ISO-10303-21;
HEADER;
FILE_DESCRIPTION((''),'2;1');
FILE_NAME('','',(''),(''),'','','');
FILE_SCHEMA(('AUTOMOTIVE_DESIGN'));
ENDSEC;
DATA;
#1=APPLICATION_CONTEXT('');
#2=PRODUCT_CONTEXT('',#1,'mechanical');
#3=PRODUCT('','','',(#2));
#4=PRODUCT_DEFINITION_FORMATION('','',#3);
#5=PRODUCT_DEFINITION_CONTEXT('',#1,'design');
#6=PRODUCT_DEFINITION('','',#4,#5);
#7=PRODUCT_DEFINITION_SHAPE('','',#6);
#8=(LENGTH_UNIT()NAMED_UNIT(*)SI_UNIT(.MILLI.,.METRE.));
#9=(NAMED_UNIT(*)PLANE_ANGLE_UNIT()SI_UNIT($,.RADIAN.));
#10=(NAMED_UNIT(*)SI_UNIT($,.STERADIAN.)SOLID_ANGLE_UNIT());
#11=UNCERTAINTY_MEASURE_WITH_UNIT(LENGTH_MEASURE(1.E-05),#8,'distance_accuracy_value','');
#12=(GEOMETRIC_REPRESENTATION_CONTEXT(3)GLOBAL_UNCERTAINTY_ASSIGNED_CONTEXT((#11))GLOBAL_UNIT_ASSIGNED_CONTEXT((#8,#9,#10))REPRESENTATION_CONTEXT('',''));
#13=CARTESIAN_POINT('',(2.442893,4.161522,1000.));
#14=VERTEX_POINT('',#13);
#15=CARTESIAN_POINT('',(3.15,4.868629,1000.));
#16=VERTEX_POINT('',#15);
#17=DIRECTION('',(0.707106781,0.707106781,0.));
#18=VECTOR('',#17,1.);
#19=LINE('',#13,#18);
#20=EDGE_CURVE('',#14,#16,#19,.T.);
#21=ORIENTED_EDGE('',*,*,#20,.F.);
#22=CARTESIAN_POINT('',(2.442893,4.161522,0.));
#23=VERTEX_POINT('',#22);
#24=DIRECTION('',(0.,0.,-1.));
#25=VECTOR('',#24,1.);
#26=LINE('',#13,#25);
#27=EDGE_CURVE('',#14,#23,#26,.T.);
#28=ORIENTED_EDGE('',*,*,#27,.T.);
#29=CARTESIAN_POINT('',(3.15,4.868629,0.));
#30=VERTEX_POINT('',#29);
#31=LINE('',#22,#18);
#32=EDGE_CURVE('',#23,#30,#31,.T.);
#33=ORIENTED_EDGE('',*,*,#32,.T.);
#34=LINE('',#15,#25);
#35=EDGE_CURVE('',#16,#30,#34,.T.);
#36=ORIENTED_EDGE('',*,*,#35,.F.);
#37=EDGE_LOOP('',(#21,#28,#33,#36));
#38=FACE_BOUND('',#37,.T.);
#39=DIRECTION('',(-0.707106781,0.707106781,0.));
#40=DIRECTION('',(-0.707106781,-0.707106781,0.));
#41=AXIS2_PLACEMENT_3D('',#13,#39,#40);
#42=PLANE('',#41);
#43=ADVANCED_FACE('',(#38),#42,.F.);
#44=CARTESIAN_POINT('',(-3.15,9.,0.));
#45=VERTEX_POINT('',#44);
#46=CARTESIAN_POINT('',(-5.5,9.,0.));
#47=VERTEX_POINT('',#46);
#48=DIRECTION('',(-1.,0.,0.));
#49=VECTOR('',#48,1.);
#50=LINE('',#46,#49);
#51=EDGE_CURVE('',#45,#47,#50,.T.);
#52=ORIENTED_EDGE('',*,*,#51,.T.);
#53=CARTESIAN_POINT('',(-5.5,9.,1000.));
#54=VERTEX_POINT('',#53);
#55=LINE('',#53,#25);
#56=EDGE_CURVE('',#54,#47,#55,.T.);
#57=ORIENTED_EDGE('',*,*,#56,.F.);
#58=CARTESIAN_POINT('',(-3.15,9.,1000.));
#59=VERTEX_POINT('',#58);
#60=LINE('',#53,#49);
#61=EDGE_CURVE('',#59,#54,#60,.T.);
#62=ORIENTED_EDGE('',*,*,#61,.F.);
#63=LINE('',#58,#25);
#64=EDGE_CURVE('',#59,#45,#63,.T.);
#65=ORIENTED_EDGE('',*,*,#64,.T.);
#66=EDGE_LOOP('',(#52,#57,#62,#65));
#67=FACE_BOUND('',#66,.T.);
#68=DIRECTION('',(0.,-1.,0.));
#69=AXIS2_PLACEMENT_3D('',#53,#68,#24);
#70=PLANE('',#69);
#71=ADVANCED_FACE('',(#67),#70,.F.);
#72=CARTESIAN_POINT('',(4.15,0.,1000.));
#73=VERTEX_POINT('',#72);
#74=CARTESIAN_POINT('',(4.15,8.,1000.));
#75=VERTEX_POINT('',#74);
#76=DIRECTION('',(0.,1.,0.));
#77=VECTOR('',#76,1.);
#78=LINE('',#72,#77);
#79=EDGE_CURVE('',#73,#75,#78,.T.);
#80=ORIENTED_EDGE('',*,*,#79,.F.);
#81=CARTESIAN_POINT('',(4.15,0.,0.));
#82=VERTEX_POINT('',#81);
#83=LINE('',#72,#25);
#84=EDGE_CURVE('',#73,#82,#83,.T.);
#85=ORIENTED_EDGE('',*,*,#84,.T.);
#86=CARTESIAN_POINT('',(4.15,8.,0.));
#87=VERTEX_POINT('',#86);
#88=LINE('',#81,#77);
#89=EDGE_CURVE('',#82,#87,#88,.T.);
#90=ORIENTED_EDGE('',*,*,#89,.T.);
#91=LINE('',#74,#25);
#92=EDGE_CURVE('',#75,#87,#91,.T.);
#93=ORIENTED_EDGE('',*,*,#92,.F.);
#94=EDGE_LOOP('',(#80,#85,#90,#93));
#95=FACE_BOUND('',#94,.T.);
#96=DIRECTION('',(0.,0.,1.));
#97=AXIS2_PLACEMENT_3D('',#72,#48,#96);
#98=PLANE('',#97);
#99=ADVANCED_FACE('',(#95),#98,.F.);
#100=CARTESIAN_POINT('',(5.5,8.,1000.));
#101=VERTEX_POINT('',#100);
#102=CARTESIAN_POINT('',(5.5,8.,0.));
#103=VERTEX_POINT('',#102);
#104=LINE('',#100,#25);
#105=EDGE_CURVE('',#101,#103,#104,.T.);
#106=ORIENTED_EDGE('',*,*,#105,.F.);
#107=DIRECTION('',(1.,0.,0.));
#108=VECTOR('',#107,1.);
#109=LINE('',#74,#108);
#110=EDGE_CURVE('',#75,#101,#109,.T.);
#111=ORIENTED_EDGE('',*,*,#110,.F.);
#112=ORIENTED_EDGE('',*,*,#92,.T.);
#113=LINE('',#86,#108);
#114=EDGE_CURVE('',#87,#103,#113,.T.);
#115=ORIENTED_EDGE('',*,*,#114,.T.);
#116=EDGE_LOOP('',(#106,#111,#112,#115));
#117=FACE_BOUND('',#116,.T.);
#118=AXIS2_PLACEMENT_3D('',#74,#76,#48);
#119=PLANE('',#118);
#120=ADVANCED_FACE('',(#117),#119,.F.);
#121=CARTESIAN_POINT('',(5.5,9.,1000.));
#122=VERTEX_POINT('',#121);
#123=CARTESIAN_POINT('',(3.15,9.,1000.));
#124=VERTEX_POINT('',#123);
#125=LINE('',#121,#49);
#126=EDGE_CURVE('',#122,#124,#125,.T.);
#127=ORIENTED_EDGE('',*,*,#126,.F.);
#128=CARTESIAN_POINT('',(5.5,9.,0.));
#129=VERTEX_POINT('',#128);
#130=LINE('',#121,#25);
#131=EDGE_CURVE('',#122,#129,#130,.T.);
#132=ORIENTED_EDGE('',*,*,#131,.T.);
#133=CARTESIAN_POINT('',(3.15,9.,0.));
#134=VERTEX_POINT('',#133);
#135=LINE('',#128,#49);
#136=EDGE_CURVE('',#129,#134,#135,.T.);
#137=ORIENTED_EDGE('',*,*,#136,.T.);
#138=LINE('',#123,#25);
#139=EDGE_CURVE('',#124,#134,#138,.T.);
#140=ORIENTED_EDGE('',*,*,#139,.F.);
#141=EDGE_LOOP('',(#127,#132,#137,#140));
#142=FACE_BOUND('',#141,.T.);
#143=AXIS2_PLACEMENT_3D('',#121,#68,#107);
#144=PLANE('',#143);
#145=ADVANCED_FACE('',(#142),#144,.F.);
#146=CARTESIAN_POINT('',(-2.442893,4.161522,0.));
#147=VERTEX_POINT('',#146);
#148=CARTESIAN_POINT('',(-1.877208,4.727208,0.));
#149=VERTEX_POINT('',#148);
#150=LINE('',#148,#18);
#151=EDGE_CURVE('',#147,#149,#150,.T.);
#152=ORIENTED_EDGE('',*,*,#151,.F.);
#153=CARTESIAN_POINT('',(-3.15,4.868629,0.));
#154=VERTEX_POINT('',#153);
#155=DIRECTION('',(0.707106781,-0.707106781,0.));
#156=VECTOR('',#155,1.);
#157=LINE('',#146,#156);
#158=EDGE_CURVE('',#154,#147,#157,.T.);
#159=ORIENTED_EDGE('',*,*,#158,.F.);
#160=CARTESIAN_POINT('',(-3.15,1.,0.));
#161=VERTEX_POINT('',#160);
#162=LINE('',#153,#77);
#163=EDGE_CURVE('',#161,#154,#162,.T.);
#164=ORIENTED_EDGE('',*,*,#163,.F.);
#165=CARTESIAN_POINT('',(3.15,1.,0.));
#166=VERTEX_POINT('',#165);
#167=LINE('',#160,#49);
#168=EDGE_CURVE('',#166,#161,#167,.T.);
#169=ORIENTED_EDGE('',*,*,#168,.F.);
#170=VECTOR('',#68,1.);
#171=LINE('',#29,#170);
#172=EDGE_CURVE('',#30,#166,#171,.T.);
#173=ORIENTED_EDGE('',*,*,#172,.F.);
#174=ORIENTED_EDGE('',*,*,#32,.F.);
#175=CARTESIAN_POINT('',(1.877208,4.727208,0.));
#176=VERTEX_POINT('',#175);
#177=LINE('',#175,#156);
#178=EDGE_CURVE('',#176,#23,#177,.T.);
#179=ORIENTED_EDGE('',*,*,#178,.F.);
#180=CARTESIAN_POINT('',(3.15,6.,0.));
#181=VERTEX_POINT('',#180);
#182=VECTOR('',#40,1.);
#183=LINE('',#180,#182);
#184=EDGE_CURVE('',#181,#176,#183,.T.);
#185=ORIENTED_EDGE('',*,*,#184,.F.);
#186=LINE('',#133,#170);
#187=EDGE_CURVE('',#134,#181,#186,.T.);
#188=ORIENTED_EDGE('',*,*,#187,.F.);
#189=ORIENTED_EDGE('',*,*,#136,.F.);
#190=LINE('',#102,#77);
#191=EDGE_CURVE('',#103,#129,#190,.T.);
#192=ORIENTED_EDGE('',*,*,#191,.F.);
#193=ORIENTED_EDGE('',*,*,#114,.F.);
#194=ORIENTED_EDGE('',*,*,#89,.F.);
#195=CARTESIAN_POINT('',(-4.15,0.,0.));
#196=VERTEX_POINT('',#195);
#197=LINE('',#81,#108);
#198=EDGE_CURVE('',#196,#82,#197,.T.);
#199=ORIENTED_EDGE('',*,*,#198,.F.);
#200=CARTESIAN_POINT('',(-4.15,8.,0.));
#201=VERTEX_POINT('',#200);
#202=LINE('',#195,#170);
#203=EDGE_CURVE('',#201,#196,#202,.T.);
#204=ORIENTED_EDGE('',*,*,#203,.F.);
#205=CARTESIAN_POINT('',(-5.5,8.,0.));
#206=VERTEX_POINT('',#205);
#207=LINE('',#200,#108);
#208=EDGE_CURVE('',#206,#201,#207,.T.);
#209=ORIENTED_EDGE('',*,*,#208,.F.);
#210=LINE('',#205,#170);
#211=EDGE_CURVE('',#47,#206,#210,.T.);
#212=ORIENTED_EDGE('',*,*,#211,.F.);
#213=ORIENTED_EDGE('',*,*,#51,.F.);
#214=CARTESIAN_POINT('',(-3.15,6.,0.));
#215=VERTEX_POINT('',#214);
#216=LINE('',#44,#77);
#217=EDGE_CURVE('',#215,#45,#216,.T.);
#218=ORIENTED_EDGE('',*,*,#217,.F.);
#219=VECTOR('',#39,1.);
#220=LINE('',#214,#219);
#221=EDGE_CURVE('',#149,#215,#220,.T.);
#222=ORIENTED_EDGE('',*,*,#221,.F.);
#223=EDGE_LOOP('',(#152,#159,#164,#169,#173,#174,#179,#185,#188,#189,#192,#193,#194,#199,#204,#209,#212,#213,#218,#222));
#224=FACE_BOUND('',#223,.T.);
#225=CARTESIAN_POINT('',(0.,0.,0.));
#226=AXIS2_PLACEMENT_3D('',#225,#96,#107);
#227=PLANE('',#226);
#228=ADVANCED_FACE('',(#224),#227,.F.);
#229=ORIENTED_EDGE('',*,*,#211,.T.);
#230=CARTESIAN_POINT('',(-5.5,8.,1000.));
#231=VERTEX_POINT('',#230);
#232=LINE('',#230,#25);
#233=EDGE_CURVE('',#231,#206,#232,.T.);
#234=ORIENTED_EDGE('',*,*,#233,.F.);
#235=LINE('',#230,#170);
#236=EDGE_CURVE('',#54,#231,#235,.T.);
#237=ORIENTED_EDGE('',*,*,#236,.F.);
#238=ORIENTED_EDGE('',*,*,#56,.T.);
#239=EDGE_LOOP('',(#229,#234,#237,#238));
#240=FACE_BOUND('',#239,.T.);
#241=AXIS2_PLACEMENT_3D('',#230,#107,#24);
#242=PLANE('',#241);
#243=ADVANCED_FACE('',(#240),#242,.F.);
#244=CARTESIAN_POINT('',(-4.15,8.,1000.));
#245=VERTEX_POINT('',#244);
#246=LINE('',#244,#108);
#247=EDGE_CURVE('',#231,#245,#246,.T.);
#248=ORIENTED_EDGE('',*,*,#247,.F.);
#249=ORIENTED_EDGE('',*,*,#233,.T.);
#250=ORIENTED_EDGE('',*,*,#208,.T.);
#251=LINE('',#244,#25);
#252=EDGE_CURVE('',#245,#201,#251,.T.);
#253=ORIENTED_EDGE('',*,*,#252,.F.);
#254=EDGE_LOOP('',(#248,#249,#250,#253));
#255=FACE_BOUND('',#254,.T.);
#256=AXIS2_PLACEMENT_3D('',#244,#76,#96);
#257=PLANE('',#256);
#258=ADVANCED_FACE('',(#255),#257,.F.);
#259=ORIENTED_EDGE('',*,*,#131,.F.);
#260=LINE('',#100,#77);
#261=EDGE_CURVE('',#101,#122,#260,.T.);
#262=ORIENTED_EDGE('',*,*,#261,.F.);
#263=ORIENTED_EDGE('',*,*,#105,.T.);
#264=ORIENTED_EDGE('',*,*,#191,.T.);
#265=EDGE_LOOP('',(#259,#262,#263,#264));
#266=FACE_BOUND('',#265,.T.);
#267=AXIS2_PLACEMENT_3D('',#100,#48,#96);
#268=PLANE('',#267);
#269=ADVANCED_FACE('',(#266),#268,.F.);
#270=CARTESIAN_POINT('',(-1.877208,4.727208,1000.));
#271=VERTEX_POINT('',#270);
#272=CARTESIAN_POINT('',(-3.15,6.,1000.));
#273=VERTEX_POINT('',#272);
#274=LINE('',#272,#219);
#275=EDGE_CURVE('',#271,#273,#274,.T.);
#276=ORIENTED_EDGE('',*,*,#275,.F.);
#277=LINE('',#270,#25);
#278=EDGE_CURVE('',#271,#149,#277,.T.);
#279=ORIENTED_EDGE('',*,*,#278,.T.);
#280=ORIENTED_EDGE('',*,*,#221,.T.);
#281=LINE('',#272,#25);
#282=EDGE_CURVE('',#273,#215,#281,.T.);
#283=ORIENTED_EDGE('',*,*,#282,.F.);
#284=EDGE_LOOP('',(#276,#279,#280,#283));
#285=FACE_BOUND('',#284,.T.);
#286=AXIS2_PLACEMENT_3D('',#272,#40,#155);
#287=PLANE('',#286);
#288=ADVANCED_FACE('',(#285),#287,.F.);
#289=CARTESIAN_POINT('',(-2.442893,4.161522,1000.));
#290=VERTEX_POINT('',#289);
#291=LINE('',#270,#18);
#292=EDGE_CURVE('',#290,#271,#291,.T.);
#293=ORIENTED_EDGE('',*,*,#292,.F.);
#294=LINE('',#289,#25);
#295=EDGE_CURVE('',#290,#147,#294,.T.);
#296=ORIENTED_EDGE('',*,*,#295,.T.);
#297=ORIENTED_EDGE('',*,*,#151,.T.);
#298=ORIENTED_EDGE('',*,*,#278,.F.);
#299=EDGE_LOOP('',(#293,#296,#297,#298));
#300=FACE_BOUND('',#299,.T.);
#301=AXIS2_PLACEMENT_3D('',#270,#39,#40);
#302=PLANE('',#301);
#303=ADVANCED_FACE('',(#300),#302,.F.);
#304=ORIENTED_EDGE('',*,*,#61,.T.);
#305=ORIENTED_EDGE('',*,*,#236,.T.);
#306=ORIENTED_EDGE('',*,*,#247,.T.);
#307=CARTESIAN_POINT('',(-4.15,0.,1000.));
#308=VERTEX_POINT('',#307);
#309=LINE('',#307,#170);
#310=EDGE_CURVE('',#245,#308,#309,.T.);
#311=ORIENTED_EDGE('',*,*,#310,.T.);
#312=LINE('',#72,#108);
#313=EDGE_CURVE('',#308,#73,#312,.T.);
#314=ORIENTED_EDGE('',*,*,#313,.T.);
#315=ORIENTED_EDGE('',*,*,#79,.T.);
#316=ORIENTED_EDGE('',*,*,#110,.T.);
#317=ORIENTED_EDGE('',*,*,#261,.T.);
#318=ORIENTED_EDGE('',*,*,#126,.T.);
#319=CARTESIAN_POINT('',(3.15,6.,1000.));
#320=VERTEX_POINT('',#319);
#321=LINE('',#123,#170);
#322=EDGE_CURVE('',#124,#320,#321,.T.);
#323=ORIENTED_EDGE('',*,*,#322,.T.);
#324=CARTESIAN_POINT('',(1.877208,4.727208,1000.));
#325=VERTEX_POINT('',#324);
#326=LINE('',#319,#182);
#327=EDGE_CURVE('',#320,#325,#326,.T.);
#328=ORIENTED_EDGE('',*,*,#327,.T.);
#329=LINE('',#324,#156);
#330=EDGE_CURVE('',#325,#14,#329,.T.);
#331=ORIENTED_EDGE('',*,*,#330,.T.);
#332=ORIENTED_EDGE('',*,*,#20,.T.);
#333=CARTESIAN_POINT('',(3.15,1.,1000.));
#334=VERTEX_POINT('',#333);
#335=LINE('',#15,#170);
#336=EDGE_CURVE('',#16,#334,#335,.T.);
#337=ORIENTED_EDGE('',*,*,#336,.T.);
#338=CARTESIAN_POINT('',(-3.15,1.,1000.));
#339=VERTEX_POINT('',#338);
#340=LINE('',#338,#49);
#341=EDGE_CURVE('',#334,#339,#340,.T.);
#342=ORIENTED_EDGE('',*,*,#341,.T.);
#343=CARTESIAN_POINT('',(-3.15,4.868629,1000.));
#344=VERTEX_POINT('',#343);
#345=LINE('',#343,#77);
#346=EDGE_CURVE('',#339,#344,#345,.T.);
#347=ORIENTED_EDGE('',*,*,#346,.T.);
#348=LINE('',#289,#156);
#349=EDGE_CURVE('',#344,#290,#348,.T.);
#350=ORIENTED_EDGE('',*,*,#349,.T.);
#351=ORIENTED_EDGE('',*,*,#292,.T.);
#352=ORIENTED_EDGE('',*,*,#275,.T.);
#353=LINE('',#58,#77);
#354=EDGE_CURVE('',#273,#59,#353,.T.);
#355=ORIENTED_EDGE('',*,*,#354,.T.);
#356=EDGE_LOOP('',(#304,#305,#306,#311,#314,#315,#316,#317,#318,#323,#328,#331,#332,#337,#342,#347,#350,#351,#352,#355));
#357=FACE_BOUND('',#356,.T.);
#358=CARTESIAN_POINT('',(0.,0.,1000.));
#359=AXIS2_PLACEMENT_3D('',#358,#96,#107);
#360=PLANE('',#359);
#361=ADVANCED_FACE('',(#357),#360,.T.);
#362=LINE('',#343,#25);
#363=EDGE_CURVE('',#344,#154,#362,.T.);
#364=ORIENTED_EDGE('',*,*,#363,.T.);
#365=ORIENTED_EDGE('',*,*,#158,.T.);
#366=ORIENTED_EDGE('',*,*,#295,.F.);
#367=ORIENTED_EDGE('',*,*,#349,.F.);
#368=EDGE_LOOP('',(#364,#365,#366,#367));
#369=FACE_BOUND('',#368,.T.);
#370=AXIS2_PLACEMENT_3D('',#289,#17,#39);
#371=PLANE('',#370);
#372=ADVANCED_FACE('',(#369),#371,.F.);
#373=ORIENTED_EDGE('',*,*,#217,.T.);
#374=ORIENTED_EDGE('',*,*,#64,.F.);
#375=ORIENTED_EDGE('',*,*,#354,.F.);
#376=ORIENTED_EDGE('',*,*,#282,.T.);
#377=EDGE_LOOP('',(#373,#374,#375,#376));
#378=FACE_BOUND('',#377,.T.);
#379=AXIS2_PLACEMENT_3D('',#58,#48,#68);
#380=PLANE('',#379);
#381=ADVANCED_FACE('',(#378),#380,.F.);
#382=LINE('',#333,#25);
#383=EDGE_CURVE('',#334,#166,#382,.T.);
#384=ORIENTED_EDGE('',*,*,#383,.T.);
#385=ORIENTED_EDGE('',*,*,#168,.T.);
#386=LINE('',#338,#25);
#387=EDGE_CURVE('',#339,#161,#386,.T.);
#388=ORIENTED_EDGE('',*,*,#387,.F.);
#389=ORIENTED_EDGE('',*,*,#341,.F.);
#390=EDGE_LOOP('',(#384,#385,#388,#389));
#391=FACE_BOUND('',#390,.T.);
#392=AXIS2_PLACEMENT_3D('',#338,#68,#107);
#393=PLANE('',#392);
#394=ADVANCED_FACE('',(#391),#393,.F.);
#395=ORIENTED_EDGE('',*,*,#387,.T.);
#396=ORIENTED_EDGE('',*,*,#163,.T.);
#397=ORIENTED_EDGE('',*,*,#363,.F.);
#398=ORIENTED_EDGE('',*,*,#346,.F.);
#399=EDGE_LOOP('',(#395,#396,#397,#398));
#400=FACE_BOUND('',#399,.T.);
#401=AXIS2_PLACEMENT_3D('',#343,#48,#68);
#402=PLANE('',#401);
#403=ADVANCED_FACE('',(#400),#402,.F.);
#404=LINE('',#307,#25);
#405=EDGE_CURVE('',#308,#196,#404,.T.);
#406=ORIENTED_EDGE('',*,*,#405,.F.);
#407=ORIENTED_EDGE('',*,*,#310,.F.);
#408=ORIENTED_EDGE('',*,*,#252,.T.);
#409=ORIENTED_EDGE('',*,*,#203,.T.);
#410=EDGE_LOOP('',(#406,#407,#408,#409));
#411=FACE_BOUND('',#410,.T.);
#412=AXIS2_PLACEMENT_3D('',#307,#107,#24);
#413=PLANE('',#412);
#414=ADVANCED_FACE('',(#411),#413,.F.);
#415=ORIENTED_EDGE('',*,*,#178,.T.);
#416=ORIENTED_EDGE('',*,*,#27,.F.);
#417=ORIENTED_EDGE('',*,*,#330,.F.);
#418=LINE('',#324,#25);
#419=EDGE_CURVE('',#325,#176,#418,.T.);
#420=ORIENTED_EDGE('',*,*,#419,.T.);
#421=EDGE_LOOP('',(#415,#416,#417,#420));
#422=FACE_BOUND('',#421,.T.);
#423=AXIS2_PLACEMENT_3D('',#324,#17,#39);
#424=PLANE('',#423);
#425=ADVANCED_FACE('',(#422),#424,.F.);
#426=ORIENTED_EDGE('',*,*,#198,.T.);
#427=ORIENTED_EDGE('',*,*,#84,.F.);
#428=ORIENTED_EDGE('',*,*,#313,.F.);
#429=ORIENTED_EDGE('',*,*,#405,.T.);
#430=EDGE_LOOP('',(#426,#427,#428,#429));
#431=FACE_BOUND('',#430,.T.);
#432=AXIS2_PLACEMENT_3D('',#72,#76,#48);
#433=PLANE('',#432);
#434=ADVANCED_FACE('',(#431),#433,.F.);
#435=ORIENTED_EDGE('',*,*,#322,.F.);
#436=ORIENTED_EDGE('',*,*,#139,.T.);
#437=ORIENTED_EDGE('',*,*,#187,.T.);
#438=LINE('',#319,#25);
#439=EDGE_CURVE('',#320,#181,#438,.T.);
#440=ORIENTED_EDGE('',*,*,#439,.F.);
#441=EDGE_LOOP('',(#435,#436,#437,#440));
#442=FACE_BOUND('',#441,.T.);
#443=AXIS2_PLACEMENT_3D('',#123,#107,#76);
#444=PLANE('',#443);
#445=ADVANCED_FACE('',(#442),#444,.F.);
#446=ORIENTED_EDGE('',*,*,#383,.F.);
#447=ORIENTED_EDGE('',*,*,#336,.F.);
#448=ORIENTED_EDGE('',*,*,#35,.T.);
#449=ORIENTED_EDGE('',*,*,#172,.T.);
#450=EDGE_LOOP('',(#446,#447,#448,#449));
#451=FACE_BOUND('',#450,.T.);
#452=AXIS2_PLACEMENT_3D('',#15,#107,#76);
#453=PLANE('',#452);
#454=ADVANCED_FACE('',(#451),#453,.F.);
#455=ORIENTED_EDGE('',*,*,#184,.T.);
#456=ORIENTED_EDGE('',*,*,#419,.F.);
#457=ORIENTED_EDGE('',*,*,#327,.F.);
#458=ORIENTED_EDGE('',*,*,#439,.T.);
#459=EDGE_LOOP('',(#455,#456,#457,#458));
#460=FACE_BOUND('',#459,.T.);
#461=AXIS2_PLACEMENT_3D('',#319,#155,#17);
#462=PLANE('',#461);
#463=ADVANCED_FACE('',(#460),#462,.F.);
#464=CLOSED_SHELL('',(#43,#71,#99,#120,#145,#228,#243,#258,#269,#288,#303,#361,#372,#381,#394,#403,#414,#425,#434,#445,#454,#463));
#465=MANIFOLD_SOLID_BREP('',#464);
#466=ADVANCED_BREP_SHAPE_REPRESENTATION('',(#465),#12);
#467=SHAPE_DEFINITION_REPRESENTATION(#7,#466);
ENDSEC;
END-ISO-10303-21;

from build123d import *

# Parameters (mm, degrees)
EXTRUDE_1_DEPTH = 1000


with BuildPart() as part:
    # Эскиз1 → Бобышка-Вытянуть1 (new body)
    with BuildSketch(Plane.XY):
        Polygon((4.15, 0), (-4.15, 0), (-4.15, 8), (-5.5, 8), (-5.5, 9), (-3.15, 9), (-3.15, 6), (-1.877207794, 4.727207794), (-2.442893219, 4.161522369), (-3.15, 4.86862915), (-3.15, 1), (3.15, 1), (3.15, 4.86862915), (2.442893219, 4.161522369), (1.877207794, 4.727207794), (3.15, 6), (3.15, 9), (5.5, 9), (5.5, 8), (4.15, 8), align=None)
    extrude(amount=EXTRUDE_1_DEPTH)


solid = part.part
